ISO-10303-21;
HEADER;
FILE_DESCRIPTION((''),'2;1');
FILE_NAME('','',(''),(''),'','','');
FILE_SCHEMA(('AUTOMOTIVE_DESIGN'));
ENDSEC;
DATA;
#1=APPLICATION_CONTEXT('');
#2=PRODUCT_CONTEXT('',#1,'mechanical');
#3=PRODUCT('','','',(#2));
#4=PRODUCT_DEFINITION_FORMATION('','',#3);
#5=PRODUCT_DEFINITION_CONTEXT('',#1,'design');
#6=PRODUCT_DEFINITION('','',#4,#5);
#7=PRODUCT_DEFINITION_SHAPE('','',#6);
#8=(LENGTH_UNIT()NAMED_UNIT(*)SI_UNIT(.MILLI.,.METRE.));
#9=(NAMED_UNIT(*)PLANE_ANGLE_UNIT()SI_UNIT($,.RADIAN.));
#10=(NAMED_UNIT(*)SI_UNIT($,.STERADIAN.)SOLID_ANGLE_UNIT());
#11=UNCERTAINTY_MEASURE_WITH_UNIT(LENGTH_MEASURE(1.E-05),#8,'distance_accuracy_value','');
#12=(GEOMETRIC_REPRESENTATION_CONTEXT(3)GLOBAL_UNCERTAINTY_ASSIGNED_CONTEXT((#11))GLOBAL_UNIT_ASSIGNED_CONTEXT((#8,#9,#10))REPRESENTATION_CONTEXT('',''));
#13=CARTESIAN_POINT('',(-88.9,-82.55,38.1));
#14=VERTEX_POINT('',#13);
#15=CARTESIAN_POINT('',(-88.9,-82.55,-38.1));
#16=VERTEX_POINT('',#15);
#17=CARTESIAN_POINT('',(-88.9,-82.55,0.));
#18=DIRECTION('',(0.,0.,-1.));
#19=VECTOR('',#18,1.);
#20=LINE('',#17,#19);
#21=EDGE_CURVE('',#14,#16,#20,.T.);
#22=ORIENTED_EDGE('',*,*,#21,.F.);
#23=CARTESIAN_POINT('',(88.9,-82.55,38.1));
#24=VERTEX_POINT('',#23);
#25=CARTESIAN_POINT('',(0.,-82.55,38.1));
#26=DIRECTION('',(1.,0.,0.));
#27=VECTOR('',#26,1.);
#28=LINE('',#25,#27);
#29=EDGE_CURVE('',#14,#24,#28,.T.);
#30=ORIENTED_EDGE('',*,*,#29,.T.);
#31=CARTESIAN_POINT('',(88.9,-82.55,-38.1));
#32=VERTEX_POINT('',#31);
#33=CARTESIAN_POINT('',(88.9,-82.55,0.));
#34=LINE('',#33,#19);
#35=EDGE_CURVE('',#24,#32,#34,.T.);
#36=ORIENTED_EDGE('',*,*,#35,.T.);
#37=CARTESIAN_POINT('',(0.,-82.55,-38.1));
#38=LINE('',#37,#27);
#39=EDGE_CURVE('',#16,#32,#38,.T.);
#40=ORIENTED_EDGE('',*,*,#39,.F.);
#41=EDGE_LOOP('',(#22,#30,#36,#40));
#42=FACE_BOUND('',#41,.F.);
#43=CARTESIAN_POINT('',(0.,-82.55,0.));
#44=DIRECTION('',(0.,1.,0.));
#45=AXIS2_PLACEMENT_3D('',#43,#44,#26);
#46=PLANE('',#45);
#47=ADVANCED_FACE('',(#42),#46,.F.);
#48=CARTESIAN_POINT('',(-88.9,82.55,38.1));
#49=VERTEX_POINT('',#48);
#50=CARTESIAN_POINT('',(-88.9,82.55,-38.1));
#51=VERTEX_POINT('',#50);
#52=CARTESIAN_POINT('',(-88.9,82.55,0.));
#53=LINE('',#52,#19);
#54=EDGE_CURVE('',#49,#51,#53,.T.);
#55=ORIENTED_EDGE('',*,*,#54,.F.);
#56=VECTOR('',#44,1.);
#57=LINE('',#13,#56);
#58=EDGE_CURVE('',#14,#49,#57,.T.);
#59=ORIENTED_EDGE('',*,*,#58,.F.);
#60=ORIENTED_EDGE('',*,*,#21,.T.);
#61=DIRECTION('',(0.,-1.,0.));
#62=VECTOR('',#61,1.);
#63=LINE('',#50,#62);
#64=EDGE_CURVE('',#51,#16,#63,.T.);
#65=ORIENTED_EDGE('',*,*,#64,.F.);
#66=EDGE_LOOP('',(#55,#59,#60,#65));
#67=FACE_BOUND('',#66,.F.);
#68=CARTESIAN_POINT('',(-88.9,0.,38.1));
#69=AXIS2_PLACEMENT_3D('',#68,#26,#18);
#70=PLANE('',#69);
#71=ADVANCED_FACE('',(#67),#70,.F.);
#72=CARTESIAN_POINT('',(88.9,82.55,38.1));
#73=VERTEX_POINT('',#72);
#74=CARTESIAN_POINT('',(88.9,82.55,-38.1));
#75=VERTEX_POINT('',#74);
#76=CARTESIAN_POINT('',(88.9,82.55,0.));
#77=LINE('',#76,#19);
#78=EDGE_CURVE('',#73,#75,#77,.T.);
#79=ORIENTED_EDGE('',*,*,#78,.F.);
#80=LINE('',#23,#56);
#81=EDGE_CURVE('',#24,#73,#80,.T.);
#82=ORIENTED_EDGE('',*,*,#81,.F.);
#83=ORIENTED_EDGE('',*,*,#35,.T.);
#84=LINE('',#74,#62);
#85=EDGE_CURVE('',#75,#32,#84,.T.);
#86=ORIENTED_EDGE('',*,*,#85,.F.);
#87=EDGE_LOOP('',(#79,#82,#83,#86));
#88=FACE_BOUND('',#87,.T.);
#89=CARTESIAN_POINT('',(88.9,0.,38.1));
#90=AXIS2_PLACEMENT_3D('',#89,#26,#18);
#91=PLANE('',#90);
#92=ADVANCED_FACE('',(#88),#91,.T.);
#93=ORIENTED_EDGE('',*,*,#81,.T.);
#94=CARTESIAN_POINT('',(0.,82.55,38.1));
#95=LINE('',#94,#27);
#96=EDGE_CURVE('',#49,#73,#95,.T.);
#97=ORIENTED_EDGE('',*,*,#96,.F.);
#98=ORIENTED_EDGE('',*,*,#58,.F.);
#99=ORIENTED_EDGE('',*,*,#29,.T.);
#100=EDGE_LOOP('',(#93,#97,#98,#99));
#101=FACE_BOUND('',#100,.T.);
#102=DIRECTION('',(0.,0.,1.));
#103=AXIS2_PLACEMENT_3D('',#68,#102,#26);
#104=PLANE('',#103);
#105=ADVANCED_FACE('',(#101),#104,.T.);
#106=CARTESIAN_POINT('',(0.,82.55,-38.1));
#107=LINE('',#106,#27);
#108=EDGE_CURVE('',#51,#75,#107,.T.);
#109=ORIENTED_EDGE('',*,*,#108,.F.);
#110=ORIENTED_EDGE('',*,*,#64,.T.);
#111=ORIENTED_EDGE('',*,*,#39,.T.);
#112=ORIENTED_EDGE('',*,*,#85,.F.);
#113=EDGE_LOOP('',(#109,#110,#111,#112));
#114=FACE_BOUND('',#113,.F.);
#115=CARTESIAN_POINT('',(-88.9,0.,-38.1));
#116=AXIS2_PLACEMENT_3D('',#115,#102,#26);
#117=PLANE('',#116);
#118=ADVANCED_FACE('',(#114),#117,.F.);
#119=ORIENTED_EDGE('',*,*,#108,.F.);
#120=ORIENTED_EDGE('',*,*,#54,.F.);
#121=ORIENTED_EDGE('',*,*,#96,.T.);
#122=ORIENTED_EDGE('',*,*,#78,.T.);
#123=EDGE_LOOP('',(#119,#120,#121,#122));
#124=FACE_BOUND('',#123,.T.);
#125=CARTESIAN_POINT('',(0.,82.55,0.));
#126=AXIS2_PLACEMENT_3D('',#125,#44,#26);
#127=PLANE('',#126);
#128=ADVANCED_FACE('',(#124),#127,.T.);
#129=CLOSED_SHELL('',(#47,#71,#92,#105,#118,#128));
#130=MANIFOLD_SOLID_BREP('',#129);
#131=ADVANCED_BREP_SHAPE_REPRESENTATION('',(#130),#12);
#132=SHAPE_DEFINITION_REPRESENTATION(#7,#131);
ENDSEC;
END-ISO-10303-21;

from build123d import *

# Parameters (mm, degrees)
SKETCH1_W           = 177.8
SKETCH1_H           = 76.2
BOSS_EXTRUDE1_DEPTH = 82.55


with BuildPart() as part:
    # Sketch1 → Boss-Extrude1 (new body, symmetric)
    with BuildSketch(Plane(origin=(0, 0, 0), x_dir=(1, 0, 0), z_dir=(0, 1, 0))):
        Rectangle(SKETCH1_W, SKETCH1_H)
    extrude(amount=BOSS_EXTRUDE1_DEPTH, both=True)


solid = part.part
